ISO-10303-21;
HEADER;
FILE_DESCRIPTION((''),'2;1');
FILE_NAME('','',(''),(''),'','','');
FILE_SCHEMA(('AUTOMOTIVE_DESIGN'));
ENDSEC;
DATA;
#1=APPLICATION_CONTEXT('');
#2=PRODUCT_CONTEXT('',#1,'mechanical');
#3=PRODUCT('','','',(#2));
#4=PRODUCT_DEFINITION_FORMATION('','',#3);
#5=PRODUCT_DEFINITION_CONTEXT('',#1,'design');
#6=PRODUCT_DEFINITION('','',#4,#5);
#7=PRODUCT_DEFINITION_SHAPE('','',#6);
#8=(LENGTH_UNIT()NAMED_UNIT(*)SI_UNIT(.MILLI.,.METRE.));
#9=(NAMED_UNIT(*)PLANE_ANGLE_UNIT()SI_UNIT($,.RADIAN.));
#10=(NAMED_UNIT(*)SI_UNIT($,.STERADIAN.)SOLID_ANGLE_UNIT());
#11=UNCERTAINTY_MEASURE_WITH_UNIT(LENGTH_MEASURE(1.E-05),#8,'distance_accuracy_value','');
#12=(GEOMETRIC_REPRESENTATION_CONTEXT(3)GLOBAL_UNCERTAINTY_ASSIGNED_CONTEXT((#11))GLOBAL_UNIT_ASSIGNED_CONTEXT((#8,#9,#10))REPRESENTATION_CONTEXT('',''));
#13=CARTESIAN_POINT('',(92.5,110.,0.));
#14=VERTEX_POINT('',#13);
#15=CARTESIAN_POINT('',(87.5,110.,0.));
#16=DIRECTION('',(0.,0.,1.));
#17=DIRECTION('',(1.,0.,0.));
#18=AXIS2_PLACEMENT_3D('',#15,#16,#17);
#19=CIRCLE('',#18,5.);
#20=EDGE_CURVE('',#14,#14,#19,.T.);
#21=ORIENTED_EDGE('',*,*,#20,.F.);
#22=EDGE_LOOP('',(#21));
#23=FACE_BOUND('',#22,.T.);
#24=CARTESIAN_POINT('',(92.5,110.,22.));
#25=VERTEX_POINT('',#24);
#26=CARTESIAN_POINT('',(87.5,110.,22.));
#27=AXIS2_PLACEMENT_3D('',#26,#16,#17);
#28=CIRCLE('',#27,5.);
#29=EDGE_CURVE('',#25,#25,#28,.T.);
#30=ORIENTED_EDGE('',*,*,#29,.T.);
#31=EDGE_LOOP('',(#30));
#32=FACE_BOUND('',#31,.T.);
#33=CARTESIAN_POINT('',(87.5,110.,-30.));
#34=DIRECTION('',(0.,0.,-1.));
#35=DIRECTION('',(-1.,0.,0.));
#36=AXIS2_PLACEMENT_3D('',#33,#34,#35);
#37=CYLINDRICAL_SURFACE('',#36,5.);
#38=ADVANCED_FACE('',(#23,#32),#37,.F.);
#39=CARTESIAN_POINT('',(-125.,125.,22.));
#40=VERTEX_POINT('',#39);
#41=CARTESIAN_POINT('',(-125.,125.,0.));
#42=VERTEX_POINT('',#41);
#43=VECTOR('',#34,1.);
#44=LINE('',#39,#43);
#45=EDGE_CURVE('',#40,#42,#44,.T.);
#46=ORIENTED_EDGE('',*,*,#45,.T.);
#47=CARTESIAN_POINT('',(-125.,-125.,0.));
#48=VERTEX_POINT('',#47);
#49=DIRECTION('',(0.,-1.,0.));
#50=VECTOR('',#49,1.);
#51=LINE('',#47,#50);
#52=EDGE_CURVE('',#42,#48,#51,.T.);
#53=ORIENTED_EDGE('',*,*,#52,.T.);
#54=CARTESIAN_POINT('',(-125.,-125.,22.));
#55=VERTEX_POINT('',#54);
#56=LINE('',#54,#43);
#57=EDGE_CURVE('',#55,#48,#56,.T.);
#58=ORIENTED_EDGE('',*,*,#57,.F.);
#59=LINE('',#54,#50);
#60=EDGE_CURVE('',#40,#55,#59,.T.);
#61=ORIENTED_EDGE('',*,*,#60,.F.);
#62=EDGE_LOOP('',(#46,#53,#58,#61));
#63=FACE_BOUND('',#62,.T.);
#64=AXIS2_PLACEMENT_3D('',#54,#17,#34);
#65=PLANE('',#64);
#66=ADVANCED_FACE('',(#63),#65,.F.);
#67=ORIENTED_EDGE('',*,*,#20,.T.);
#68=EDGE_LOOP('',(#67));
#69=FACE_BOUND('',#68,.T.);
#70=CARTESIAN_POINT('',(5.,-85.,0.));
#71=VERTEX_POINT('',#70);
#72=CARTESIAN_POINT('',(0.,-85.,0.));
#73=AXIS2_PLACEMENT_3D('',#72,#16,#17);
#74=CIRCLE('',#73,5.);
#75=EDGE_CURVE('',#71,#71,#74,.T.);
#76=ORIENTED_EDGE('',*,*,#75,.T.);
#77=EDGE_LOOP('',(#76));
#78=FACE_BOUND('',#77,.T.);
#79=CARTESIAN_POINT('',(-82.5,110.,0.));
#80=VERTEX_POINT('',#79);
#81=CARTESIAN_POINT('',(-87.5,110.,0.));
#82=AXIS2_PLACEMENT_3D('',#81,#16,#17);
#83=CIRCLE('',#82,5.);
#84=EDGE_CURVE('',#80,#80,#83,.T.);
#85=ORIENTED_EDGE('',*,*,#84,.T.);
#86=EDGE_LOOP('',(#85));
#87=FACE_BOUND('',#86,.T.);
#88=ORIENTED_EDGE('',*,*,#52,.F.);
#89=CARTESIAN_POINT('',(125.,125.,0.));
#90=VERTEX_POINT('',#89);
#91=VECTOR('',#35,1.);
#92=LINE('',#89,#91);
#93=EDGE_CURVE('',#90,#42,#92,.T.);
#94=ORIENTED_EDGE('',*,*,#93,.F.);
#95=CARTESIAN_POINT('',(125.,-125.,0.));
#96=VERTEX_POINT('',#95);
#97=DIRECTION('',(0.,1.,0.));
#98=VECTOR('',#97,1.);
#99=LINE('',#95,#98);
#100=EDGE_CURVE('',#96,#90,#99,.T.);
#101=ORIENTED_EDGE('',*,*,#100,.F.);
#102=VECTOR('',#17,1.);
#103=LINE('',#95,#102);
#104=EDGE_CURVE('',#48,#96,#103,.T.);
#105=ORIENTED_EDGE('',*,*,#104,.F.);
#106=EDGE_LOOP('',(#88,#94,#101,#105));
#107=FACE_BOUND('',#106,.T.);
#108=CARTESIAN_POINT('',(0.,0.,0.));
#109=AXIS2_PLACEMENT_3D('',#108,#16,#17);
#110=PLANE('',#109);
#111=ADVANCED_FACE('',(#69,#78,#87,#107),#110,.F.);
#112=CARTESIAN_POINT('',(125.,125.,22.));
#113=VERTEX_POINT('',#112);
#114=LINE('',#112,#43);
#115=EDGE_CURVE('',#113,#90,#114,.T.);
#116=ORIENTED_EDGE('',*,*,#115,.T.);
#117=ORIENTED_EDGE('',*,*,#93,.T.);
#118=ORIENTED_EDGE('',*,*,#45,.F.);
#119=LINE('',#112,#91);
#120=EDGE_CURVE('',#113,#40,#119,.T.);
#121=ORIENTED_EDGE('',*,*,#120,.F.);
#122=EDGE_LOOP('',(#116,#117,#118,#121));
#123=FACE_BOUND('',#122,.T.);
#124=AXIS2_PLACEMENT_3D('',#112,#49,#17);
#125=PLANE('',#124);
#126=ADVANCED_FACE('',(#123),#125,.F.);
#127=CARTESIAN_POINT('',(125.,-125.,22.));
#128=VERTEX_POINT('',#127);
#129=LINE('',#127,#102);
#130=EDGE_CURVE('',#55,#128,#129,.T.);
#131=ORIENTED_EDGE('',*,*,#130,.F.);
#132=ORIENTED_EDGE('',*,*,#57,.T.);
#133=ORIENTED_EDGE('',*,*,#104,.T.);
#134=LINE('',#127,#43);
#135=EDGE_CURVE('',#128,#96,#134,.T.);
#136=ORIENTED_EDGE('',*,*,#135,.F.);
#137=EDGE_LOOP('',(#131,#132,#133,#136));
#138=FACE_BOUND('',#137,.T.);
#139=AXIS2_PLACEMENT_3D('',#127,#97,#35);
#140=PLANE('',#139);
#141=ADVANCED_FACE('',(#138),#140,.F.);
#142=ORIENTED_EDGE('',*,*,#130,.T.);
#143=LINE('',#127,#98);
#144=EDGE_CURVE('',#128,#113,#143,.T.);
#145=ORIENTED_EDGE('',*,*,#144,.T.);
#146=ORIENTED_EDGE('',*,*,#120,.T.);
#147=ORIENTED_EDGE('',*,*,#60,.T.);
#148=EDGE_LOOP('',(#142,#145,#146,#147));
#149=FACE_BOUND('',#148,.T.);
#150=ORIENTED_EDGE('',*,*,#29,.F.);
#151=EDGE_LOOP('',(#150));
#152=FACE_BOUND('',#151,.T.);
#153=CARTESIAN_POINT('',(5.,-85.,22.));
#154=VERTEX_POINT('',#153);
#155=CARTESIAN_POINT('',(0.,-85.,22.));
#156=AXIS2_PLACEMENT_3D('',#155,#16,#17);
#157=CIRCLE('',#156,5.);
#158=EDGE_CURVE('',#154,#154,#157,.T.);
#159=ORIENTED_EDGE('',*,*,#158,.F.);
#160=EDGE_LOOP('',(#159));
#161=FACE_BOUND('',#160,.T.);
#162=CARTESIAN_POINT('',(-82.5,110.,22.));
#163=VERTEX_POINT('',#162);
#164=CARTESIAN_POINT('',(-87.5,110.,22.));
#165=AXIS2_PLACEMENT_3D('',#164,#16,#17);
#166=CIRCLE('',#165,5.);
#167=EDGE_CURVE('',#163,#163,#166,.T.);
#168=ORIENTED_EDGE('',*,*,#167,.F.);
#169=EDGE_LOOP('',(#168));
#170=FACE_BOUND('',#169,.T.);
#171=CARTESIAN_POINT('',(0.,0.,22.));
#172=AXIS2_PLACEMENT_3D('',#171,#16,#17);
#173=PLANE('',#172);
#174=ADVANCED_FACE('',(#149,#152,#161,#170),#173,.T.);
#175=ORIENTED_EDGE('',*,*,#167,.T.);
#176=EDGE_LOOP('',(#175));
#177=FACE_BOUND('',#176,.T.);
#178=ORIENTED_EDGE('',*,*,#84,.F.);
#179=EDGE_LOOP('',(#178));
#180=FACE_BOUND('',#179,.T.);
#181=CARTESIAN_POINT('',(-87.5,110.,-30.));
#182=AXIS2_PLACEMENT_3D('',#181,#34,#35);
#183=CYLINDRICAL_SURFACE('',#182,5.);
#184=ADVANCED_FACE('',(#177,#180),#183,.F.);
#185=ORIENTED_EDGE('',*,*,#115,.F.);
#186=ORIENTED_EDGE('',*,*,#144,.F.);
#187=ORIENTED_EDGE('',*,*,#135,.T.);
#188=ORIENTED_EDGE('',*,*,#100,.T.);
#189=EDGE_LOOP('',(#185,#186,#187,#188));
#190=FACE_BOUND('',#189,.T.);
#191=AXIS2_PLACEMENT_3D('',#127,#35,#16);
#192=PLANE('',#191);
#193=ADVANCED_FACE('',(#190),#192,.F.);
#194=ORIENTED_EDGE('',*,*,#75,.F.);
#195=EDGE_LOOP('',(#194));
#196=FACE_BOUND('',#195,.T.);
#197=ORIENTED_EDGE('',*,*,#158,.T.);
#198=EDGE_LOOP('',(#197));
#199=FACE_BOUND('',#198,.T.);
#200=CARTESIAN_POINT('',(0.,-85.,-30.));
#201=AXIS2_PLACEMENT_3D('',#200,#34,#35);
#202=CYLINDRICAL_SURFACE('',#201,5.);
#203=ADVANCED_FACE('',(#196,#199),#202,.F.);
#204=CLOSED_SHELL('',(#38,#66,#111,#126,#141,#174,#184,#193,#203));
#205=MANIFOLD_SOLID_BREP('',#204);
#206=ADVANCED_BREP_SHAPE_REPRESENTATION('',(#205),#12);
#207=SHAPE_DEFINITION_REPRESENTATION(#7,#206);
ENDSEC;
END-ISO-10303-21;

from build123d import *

# Parameters (mm, degrees)
ESQUISSE1_W          = 250
ESQUISSE1_H          = 250
BOSS_EXTRU_1_DEPTH   = 22
D_GAGEMENT_M81_D     = 10
D_GAGEMENT_M81_DEPTH = 208
D_GAGEMENT_M81_TIP   = 3.004303095


with BuildPart() as part:
    # Esquisse1 → Boss.-Extru.1 (new body)
    with BuildSketch(Plane.XY):
        Rectangle(ESQUISSE1_W, ESQUISSE1_H)
    extrude(amount=BOSS_EXTRU_1_DEPTH)

    # Dégagement M81
    with Locations(Plane(origin=(0, 110, -30), x_dir=(-1, 0, 0), z_dir=(0, 0, -1))):
        with Locations((-87.5, 0), (87.5, 0), (0, -195)):
            Hole(D_GAGEMENT_M81_D / 2, depth=D_GAGEMENT_M81_DEPTH)
            with Locations((0, 0, -(D_GAGEMENT_M81_DEPTH + D_GAGEMENT_M81_TIP / 2))):  # 118° drill point
                Cone(0, D_GAGEMENT_M81_D / 2, D_GAGEMENT_M81_TIP, mode=Mode.SUBTRACT)


solid = part.part
